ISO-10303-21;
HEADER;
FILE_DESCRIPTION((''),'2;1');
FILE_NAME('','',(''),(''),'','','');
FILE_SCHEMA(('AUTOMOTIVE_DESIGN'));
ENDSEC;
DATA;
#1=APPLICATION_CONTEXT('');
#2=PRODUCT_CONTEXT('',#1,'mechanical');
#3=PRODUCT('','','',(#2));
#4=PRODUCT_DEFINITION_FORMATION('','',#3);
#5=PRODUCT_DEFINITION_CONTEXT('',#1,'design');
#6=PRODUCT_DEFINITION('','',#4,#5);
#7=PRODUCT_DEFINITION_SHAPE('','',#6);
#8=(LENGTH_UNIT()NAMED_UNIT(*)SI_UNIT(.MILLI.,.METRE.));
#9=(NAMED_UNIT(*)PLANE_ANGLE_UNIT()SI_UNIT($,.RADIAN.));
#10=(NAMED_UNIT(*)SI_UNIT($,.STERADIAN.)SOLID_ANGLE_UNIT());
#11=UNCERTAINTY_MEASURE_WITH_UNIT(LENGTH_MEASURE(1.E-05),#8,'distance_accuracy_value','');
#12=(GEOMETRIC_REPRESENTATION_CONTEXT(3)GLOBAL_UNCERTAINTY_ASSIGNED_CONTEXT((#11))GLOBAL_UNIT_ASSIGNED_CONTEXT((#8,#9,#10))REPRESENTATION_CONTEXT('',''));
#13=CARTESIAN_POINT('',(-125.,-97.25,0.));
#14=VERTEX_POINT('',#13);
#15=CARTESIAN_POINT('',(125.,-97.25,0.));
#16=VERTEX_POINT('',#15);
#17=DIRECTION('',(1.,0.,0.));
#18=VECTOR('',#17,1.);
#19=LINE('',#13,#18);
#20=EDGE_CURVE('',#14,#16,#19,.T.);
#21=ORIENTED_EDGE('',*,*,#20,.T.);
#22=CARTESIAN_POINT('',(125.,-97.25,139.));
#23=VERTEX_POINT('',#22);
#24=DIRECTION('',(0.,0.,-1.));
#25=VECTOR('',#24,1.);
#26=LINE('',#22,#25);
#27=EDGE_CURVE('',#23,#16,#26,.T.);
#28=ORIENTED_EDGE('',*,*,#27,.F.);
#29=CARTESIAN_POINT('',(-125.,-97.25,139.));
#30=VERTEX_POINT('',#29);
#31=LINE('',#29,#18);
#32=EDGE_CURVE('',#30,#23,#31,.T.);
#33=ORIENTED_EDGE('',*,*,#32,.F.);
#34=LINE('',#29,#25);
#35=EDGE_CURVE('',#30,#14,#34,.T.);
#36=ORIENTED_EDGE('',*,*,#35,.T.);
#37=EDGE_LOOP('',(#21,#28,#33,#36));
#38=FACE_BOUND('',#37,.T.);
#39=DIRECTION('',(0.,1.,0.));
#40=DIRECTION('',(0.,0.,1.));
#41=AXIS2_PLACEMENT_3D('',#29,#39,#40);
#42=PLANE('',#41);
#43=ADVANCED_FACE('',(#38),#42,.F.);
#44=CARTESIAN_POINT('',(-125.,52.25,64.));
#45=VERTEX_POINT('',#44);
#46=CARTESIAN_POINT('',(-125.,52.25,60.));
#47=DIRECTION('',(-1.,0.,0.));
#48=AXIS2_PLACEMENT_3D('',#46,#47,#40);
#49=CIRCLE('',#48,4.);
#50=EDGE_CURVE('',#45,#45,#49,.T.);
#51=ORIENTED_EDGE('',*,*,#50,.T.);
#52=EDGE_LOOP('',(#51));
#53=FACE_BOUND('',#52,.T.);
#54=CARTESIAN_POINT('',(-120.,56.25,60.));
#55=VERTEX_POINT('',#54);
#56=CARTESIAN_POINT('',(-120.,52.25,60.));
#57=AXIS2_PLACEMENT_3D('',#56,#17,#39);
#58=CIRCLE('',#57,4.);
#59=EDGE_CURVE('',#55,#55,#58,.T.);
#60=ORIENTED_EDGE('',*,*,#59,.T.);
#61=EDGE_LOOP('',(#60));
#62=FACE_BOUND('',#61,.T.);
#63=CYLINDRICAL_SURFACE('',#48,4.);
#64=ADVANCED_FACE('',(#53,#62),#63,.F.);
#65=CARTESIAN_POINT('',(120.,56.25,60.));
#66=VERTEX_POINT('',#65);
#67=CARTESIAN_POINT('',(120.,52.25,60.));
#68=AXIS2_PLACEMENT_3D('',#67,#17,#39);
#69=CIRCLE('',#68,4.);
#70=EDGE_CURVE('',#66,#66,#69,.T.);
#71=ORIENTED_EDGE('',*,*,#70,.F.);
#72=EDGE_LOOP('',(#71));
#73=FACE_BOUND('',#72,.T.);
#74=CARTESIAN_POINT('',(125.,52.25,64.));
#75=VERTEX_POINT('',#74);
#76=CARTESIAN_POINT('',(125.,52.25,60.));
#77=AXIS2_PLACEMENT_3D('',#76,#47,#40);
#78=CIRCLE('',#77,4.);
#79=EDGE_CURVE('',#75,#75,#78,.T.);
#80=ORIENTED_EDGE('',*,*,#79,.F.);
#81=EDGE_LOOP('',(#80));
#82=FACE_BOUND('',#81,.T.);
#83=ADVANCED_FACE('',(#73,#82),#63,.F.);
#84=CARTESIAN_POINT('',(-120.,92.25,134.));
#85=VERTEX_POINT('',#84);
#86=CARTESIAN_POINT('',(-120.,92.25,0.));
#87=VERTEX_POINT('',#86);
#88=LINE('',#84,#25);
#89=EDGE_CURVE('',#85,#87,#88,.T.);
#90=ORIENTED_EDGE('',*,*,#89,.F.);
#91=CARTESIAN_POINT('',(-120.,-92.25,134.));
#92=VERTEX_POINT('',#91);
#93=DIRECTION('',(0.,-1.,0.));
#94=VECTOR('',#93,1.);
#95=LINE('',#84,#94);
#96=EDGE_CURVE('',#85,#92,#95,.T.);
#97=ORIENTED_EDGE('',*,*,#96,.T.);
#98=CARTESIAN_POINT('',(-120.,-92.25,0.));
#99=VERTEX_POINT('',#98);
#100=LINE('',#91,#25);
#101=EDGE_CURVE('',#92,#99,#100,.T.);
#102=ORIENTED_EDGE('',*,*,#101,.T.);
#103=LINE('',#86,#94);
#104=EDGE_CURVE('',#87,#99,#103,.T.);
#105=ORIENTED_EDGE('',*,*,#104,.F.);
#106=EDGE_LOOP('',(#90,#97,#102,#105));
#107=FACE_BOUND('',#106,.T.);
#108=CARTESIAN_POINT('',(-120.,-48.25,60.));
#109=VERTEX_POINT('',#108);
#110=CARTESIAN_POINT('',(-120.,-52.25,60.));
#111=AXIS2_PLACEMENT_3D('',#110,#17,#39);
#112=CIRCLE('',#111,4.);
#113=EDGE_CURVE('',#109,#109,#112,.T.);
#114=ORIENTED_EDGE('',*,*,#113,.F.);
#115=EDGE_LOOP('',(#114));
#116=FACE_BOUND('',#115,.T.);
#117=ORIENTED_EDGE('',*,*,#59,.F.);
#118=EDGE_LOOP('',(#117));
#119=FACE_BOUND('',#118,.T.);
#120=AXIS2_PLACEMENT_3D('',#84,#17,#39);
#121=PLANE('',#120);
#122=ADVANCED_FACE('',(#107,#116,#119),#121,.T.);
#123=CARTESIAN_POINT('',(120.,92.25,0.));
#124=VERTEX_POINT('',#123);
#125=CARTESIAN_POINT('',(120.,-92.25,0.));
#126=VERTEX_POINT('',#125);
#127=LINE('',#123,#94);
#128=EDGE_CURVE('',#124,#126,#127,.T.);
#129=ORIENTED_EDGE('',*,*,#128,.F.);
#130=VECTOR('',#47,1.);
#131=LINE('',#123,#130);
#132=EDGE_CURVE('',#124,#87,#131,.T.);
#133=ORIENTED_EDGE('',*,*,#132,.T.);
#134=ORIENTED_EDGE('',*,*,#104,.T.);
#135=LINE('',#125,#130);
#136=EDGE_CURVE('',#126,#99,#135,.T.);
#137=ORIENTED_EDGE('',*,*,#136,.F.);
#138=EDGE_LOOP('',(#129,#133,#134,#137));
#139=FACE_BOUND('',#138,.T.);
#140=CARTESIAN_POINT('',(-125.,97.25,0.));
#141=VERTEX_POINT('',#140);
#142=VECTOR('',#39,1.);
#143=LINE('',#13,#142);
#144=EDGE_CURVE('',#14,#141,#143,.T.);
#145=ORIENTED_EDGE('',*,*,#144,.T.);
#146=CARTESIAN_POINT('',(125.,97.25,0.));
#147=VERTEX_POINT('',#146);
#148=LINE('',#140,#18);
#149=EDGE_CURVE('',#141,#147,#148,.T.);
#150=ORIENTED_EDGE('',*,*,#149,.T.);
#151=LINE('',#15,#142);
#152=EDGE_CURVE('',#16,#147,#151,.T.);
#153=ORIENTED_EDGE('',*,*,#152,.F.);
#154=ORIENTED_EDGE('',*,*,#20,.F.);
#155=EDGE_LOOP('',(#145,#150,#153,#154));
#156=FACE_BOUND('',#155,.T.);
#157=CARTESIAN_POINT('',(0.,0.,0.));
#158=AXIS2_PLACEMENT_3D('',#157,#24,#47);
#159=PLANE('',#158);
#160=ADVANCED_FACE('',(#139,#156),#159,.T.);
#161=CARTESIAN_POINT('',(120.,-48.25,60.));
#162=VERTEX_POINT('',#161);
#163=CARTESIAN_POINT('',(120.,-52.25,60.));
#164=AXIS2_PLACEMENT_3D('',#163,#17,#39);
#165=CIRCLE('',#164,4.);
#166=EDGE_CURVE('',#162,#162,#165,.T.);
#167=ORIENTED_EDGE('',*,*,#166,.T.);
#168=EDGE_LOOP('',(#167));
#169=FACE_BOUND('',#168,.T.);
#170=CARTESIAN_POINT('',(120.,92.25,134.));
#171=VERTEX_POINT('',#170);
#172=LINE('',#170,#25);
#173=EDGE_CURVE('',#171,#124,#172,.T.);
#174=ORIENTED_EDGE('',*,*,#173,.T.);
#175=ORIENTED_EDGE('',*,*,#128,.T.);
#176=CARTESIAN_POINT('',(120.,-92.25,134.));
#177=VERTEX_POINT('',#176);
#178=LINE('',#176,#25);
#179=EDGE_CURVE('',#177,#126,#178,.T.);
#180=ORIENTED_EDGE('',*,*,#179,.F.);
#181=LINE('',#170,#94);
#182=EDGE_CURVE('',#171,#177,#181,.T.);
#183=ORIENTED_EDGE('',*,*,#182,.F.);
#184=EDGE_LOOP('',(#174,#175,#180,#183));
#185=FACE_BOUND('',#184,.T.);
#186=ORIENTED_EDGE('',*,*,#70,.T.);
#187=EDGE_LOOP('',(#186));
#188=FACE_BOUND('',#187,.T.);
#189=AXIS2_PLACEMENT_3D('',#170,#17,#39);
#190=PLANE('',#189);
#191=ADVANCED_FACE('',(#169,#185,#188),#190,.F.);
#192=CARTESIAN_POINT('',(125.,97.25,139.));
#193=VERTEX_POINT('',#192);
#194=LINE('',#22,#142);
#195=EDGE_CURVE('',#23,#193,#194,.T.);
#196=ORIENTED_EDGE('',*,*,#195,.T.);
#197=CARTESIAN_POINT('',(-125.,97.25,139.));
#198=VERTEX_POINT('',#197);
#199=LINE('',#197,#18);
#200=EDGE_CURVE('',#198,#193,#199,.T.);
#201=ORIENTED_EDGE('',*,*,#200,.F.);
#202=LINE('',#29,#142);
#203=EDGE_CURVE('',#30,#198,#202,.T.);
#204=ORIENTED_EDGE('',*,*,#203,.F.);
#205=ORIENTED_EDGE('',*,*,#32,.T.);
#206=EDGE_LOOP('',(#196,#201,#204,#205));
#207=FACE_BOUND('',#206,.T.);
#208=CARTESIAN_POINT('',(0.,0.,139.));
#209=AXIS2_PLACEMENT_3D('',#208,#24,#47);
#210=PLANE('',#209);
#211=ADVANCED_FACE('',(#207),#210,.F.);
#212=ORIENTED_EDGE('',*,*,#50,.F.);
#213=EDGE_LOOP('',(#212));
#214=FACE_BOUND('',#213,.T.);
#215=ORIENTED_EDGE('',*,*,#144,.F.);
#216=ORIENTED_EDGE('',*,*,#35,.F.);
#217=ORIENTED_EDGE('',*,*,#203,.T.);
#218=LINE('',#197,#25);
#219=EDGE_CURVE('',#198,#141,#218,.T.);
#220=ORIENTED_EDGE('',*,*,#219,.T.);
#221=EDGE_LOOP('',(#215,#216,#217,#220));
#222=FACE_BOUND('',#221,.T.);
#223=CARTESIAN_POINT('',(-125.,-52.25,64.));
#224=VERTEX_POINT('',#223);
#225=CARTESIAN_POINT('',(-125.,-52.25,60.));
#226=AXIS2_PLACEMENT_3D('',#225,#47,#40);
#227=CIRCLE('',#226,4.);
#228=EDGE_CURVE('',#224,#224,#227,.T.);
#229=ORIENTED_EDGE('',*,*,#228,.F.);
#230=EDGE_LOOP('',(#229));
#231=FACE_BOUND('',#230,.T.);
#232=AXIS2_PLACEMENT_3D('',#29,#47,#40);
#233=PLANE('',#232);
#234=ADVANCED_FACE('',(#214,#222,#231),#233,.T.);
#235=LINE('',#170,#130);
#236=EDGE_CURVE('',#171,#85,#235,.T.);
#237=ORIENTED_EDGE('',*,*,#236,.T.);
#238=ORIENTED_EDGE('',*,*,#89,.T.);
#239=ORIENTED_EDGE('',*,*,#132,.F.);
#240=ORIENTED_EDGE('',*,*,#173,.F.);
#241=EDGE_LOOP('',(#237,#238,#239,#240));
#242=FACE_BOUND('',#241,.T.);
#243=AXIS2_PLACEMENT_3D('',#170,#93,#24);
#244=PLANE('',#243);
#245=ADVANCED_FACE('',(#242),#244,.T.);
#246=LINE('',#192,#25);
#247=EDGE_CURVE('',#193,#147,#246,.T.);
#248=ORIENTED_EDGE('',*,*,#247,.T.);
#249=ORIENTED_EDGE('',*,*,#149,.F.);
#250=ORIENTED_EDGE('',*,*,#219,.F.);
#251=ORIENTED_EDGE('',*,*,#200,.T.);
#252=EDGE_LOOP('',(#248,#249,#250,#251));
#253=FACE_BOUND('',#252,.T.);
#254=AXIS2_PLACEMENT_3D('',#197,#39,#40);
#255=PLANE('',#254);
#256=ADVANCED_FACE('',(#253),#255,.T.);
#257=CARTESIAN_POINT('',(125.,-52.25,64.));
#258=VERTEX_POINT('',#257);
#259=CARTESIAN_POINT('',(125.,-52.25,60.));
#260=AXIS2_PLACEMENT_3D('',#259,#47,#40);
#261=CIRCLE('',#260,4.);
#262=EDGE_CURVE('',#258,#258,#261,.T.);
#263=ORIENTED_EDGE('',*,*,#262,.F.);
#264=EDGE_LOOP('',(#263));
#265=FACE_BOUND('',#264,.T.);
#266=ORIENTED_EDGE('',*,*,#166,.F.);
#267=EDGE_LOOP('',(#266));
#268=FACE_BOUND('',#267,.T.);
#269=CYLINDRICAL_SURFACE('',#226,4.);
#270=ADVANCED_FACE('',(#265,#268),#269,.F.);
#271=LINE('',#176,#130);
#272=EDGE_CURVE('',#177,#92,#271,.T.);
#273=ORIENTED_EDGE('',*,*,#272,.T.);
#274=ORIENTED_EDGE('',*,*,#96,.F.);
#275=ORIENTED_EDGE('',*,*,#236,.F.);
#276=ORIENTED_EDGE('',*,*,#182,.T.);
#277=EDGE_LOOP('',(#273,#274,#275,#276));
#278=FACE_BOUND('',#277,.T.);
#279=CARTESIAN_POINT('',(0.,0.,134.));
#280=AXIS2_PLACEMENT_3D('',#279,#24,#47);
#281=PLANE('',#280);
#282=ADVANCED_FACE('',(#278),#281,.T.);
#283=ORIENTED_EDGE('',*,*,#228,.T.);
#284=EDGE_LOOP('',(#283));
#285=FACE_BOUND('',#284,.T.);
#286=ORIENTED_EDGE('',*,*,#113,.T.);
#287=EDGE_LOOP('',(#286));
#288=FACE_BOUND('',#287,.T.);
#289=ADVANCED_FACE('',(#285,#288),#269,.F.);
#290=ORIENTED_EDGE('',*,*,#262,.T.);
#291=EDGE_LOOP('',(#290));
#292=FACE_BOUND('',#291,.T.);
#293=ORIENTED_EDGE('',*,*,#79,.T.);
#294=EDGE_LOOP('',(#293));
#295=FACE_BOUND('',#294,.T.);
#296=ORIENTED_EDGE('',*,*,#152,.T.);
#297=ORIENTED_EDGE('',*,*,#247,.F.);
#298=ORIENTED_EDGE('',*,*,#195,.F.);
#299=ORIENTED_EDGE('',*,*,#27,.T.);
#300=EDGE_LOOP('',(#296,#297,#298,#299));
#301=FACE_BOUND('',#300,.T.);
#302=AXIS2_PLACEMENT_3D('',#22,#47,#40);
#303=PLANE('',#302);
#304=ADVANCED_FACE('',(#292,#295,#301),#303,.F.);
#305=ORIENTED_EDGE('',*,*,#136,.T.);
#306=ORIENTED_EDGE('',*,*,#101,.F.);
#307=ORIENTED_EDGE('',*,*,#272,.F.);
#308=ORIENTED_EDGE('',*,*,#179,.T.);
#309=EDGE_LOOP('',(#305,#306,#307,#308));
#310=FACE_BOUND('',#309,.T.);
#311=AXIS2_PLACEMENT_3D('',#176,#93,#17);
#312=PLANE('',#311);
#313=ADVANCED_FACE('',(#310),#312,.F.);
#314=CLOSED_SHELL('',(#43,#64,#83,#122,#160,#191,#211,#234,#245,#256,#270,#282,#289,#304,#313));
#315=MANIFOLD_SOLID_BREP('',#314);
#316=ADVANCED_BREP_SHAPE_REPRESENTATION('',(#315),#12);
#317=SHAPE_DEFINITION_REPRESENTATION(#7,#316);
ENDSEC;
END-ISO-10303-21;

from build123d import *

# Parameters (mm, degrees)
SKIZZE1_W                       = 250
SKIZZE1_H                       = 194.5
AUFSATZ_LINEAR_AUSTRAGEN1_DEPTH = 139
SKIZZE2_W                       = 240
SKIZZE2_H                       = 184.5
SCHNITT_LINEAR_AUSTRAGEN1_DEPTH = 134
F_8_0MM_STIFTLOCH1_D            = 8


with BuildPart() as part:
    # Skizze1 → Aufsatz-Linear austragen1 (new body)
    with BuildSketch(Plane.XY):
        Rectangle(SKIZZE1_W, SKIZZE1_H)
    extrude(amount=AUFSATZ_LINEAR_AUSTRAGEN1_DEPTH)

    # Skizze2 → Schnitt-Linear austragen1 (cut)
    with BuildSketch(Plane(origin=(0, 0, 0), x_dir=(-1, 0, 0), z_dir=(0, 0, -1))):
        Rectangle(SKIZZE2_W, SKIZZE2_H)
    extrude(amount=-SCHNITT_LINEAR_AUSTRAGEN1_DEPTH, mode=Mode.SUBTRACT)

    # Ø8.0mm Stiftloch1 (through all)
    with Locations(Plane.ZY.offset(125)):
        with Locations((60, -52.25)):
            f_8_0mm_stiftloch1 = Hole(F_8_0MM_STIFTLOCH1_D / 2)

    # Spiegeln1: Ø8.0mm Stiftloch1 across plane
    add(f_8_0mm_stiftloch1.mirror(Plane.ZX), mode=Mode.SUBTRACT)


solid = part.part
